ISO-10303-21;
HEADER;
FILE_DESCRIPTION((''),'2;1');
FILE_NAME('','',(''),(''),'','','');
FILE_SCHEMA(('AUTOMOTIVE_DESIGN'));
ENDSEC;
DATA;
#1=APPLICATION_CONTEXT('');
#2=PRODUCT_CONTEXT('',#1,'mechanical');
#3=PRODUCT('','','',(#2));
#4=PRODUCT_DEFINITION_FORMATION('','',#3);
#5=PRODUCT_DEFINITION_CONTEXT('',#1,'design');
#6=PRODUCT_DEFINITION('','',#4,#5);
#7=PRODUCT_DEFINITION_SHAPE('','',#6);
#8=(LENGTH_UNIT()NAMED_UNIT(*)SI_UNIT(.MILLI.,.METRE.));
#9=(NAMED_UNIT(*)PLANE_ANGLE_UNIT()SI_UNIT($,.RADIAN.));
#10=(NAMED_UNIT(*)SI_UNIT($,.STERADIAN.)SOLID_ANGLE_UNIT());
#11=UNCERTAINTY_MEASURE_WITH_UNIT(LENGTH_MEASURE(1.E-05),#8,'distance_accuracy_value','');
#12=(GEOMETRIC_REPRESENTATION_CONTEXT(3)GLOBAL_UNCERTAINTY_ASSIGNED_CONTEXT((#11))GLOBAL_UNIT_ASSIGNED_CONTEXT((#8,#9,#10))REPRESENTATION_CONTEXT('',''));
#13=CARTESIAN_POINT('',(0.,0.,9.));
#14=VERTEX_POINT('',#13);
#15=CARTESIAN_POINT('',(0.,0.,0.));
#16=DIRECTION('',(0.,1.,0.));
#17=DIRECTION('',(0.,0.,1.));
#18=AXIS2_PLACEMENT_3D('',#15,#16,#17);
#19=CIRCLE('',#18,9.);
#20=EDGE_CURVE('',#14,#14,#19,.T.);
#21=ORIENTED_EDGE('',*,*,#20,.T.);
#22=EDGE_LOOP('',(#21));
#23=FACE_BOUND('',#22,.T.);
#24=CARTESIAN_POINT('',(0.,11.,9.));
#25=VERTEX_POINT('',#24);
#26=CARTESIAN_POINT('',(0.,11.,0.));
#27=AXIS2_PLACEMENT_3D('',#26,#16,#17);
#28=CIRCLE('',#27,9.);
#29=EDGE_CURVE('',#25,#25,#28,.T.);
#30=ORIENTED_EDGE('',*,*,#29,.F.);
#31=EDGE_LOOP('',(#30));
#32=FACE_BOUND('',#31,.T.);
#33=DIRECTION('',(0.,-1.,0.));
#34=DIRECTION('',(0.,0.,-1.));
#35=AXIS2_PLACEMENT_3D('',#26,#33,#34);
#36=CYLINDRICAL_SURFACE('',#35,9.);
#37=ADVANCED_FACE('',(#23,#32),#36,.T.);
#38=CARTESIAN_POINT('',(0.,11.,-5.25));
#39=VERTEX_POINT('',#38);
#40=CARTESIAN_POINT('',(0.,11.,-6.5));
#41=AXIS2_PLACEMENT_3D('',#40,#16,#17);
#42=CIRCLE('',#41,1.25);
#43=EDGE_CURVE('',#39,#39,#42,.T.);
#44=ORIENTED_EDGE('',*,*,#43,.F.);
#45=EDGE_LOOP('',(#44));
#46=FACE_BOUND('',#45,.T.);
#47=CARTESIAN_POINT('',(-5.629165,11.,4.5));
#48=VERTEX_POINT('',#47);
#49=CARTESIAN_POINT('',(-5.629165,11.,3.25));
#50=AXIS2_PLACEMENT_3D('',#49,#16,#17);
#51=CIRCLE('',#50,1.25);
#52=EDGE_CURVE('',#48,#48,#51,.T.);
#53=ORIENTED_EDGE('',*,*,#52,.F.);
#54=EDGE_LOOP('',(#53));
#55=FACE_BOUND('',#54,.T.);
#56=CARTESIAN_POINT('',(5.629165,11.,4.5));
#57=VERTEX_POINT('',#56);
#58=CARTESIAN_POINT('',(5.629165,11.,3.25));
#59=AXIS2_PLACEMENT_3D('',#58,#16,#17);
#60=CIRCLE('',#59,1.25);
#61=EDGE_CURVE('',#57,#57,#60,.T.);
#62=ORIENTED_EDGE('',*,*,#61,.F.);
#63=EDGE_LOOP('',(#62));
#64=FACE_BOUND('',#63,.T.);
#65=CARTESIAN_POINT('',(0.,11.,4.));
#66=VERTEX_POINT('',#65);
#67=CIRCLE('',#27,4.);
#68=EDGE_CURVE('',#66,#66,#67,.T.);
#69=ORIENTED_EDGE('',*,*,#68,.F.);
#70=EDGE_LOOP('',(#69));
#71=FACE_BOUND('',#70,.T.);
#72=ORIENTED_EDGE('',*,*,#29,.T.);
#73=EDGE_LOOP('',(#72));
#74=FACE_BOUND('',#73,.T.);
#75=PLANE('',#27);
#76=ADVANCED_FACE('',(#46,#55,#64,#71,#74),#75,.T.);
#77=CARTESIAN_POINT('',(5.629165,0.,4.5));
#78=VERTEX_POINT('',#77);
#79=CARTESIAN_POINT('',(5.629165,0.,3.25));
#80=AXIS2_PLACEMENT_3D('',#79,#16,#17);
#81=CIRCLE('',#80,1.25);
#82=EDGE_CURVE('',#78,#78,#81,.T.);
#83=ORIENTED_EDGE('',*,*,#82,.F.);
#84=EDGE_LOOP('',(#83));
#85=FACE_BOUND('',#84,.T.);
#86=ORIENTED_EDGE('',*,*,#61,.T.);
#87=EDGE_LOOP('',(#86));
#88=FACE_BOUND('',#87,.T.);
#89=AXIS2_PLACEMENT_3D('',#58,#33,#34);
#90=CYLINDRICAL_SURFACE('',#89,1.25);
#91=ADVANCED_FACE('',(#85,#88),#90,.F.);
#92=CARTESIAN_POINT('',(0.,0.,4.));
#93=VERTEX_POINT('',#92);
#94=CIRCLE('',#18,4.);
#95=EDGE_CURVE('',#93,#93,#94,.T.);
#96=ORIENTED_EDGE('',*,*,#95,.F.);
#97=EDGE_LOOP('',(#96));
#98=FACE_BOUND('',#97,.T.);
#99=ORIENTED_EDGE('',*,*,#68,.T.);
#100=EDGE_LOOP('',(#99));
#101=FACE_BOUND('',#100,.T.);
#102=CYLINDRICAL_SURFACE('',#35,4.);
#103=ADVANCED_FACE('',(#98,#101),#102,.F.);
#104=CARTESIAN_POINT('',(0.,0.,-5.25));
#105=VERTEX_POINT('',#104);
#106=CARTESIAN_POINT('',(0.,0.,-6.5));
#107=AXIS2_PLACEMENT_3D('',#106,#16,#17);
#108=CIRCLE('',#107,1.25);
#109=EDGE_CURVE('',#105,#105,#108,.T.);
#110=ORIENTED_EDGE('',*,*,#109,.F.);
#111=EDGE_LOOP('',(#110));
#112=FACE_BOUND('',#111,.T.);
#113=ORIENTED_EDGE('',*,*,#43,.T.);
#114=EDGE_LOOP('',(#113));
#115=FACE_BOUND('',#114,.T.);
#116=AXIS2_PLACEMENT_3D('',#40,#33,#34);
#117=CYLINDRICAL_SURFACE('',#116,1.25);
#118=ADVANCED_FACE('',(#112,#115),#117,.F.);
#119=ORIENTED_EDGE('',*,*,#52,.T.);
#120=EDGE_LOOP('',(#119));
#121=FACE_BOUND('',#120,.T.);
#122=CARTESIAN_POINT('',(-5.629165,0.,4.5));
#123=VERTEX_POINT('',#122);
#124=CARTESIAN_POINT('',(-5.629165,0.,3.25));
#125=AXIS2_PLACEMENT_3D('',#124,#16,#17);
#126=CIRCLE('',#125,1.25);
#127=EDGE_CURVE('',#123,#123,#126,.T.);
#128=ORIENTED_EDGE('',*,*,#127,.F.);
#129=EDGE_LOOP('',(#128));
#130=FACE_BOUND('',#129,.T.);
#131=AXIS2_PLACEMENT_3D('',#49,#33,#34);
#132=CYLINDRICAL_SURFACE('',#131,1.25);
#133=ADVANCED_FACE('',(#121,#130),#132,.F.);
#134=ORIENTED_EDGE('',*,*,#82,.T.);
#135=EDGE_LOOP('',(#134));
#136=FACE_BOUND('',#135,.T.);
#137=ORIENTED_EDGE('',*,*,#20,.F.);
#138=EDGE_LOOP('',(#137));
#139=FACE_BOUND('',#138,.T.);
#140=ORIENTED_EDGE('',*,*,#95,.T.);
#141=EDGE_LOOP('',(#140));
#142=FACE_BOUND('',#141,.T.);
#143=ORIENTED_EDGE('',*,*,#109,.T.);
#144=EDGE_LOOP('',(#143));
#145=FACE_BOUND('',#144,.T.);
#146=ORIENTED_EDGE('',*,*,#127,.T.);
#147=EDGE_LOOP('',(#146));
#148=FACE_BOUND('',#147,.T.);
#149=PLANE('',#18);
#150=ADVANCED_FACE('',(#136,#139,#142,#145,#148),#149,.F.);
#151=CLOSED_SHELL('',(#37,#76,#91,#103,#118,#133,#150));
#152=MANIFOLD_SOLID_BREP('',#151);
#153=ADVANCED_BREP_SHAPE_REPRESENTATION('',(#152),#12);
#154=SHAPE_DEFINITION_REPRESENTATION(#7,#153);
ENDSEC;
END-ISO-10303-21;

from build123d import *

# Parameters (mm, degrees)
SKETCH_1_R      = 9
SKETCH_1_R_2    = 4
SKETCH_1_R_3    = 1.25
EXTRUDE_1_DEPTH = 11


with BuildPart() as part:
    # 草图1 → 凸台-拉伸1 (new body)
    with BuildSketch(Plane(origin=(0, 0, 0), x_dir=(1, 0, 0), z_dir=(0, 1, 0))):
        with Locations(Location((0, 0, 0), (0, 0, 270))):
            Circle(SKETCH_1_R)
        with Locations(Location((0, 0, 0), (0, 0, 270))):
            Circle(SKETCH_1_R_2, mode=Mode.SUBTRACT)
        with Locations(Location((0, 6.5, 0), (0, 0, 270))):
            Circle(SKETCH_1_R_3, mode=Mode.SUBTRACT)
        with Locations(Location((5.629165125, -3.25, 0), (0, 0, 270))):
            Circle(SKETCH_1_R_3, mode=Mode.SUBTRACT)
        with Locations(Location((-5.629165125, -3.25, 0), (0, 0, 270))):
            Circle(SKETCH_1_R_3, mode=Mode.SUBTRACT)
    extrude(amount=EXTRUDE_1_DEPTH)


solid = part.part
